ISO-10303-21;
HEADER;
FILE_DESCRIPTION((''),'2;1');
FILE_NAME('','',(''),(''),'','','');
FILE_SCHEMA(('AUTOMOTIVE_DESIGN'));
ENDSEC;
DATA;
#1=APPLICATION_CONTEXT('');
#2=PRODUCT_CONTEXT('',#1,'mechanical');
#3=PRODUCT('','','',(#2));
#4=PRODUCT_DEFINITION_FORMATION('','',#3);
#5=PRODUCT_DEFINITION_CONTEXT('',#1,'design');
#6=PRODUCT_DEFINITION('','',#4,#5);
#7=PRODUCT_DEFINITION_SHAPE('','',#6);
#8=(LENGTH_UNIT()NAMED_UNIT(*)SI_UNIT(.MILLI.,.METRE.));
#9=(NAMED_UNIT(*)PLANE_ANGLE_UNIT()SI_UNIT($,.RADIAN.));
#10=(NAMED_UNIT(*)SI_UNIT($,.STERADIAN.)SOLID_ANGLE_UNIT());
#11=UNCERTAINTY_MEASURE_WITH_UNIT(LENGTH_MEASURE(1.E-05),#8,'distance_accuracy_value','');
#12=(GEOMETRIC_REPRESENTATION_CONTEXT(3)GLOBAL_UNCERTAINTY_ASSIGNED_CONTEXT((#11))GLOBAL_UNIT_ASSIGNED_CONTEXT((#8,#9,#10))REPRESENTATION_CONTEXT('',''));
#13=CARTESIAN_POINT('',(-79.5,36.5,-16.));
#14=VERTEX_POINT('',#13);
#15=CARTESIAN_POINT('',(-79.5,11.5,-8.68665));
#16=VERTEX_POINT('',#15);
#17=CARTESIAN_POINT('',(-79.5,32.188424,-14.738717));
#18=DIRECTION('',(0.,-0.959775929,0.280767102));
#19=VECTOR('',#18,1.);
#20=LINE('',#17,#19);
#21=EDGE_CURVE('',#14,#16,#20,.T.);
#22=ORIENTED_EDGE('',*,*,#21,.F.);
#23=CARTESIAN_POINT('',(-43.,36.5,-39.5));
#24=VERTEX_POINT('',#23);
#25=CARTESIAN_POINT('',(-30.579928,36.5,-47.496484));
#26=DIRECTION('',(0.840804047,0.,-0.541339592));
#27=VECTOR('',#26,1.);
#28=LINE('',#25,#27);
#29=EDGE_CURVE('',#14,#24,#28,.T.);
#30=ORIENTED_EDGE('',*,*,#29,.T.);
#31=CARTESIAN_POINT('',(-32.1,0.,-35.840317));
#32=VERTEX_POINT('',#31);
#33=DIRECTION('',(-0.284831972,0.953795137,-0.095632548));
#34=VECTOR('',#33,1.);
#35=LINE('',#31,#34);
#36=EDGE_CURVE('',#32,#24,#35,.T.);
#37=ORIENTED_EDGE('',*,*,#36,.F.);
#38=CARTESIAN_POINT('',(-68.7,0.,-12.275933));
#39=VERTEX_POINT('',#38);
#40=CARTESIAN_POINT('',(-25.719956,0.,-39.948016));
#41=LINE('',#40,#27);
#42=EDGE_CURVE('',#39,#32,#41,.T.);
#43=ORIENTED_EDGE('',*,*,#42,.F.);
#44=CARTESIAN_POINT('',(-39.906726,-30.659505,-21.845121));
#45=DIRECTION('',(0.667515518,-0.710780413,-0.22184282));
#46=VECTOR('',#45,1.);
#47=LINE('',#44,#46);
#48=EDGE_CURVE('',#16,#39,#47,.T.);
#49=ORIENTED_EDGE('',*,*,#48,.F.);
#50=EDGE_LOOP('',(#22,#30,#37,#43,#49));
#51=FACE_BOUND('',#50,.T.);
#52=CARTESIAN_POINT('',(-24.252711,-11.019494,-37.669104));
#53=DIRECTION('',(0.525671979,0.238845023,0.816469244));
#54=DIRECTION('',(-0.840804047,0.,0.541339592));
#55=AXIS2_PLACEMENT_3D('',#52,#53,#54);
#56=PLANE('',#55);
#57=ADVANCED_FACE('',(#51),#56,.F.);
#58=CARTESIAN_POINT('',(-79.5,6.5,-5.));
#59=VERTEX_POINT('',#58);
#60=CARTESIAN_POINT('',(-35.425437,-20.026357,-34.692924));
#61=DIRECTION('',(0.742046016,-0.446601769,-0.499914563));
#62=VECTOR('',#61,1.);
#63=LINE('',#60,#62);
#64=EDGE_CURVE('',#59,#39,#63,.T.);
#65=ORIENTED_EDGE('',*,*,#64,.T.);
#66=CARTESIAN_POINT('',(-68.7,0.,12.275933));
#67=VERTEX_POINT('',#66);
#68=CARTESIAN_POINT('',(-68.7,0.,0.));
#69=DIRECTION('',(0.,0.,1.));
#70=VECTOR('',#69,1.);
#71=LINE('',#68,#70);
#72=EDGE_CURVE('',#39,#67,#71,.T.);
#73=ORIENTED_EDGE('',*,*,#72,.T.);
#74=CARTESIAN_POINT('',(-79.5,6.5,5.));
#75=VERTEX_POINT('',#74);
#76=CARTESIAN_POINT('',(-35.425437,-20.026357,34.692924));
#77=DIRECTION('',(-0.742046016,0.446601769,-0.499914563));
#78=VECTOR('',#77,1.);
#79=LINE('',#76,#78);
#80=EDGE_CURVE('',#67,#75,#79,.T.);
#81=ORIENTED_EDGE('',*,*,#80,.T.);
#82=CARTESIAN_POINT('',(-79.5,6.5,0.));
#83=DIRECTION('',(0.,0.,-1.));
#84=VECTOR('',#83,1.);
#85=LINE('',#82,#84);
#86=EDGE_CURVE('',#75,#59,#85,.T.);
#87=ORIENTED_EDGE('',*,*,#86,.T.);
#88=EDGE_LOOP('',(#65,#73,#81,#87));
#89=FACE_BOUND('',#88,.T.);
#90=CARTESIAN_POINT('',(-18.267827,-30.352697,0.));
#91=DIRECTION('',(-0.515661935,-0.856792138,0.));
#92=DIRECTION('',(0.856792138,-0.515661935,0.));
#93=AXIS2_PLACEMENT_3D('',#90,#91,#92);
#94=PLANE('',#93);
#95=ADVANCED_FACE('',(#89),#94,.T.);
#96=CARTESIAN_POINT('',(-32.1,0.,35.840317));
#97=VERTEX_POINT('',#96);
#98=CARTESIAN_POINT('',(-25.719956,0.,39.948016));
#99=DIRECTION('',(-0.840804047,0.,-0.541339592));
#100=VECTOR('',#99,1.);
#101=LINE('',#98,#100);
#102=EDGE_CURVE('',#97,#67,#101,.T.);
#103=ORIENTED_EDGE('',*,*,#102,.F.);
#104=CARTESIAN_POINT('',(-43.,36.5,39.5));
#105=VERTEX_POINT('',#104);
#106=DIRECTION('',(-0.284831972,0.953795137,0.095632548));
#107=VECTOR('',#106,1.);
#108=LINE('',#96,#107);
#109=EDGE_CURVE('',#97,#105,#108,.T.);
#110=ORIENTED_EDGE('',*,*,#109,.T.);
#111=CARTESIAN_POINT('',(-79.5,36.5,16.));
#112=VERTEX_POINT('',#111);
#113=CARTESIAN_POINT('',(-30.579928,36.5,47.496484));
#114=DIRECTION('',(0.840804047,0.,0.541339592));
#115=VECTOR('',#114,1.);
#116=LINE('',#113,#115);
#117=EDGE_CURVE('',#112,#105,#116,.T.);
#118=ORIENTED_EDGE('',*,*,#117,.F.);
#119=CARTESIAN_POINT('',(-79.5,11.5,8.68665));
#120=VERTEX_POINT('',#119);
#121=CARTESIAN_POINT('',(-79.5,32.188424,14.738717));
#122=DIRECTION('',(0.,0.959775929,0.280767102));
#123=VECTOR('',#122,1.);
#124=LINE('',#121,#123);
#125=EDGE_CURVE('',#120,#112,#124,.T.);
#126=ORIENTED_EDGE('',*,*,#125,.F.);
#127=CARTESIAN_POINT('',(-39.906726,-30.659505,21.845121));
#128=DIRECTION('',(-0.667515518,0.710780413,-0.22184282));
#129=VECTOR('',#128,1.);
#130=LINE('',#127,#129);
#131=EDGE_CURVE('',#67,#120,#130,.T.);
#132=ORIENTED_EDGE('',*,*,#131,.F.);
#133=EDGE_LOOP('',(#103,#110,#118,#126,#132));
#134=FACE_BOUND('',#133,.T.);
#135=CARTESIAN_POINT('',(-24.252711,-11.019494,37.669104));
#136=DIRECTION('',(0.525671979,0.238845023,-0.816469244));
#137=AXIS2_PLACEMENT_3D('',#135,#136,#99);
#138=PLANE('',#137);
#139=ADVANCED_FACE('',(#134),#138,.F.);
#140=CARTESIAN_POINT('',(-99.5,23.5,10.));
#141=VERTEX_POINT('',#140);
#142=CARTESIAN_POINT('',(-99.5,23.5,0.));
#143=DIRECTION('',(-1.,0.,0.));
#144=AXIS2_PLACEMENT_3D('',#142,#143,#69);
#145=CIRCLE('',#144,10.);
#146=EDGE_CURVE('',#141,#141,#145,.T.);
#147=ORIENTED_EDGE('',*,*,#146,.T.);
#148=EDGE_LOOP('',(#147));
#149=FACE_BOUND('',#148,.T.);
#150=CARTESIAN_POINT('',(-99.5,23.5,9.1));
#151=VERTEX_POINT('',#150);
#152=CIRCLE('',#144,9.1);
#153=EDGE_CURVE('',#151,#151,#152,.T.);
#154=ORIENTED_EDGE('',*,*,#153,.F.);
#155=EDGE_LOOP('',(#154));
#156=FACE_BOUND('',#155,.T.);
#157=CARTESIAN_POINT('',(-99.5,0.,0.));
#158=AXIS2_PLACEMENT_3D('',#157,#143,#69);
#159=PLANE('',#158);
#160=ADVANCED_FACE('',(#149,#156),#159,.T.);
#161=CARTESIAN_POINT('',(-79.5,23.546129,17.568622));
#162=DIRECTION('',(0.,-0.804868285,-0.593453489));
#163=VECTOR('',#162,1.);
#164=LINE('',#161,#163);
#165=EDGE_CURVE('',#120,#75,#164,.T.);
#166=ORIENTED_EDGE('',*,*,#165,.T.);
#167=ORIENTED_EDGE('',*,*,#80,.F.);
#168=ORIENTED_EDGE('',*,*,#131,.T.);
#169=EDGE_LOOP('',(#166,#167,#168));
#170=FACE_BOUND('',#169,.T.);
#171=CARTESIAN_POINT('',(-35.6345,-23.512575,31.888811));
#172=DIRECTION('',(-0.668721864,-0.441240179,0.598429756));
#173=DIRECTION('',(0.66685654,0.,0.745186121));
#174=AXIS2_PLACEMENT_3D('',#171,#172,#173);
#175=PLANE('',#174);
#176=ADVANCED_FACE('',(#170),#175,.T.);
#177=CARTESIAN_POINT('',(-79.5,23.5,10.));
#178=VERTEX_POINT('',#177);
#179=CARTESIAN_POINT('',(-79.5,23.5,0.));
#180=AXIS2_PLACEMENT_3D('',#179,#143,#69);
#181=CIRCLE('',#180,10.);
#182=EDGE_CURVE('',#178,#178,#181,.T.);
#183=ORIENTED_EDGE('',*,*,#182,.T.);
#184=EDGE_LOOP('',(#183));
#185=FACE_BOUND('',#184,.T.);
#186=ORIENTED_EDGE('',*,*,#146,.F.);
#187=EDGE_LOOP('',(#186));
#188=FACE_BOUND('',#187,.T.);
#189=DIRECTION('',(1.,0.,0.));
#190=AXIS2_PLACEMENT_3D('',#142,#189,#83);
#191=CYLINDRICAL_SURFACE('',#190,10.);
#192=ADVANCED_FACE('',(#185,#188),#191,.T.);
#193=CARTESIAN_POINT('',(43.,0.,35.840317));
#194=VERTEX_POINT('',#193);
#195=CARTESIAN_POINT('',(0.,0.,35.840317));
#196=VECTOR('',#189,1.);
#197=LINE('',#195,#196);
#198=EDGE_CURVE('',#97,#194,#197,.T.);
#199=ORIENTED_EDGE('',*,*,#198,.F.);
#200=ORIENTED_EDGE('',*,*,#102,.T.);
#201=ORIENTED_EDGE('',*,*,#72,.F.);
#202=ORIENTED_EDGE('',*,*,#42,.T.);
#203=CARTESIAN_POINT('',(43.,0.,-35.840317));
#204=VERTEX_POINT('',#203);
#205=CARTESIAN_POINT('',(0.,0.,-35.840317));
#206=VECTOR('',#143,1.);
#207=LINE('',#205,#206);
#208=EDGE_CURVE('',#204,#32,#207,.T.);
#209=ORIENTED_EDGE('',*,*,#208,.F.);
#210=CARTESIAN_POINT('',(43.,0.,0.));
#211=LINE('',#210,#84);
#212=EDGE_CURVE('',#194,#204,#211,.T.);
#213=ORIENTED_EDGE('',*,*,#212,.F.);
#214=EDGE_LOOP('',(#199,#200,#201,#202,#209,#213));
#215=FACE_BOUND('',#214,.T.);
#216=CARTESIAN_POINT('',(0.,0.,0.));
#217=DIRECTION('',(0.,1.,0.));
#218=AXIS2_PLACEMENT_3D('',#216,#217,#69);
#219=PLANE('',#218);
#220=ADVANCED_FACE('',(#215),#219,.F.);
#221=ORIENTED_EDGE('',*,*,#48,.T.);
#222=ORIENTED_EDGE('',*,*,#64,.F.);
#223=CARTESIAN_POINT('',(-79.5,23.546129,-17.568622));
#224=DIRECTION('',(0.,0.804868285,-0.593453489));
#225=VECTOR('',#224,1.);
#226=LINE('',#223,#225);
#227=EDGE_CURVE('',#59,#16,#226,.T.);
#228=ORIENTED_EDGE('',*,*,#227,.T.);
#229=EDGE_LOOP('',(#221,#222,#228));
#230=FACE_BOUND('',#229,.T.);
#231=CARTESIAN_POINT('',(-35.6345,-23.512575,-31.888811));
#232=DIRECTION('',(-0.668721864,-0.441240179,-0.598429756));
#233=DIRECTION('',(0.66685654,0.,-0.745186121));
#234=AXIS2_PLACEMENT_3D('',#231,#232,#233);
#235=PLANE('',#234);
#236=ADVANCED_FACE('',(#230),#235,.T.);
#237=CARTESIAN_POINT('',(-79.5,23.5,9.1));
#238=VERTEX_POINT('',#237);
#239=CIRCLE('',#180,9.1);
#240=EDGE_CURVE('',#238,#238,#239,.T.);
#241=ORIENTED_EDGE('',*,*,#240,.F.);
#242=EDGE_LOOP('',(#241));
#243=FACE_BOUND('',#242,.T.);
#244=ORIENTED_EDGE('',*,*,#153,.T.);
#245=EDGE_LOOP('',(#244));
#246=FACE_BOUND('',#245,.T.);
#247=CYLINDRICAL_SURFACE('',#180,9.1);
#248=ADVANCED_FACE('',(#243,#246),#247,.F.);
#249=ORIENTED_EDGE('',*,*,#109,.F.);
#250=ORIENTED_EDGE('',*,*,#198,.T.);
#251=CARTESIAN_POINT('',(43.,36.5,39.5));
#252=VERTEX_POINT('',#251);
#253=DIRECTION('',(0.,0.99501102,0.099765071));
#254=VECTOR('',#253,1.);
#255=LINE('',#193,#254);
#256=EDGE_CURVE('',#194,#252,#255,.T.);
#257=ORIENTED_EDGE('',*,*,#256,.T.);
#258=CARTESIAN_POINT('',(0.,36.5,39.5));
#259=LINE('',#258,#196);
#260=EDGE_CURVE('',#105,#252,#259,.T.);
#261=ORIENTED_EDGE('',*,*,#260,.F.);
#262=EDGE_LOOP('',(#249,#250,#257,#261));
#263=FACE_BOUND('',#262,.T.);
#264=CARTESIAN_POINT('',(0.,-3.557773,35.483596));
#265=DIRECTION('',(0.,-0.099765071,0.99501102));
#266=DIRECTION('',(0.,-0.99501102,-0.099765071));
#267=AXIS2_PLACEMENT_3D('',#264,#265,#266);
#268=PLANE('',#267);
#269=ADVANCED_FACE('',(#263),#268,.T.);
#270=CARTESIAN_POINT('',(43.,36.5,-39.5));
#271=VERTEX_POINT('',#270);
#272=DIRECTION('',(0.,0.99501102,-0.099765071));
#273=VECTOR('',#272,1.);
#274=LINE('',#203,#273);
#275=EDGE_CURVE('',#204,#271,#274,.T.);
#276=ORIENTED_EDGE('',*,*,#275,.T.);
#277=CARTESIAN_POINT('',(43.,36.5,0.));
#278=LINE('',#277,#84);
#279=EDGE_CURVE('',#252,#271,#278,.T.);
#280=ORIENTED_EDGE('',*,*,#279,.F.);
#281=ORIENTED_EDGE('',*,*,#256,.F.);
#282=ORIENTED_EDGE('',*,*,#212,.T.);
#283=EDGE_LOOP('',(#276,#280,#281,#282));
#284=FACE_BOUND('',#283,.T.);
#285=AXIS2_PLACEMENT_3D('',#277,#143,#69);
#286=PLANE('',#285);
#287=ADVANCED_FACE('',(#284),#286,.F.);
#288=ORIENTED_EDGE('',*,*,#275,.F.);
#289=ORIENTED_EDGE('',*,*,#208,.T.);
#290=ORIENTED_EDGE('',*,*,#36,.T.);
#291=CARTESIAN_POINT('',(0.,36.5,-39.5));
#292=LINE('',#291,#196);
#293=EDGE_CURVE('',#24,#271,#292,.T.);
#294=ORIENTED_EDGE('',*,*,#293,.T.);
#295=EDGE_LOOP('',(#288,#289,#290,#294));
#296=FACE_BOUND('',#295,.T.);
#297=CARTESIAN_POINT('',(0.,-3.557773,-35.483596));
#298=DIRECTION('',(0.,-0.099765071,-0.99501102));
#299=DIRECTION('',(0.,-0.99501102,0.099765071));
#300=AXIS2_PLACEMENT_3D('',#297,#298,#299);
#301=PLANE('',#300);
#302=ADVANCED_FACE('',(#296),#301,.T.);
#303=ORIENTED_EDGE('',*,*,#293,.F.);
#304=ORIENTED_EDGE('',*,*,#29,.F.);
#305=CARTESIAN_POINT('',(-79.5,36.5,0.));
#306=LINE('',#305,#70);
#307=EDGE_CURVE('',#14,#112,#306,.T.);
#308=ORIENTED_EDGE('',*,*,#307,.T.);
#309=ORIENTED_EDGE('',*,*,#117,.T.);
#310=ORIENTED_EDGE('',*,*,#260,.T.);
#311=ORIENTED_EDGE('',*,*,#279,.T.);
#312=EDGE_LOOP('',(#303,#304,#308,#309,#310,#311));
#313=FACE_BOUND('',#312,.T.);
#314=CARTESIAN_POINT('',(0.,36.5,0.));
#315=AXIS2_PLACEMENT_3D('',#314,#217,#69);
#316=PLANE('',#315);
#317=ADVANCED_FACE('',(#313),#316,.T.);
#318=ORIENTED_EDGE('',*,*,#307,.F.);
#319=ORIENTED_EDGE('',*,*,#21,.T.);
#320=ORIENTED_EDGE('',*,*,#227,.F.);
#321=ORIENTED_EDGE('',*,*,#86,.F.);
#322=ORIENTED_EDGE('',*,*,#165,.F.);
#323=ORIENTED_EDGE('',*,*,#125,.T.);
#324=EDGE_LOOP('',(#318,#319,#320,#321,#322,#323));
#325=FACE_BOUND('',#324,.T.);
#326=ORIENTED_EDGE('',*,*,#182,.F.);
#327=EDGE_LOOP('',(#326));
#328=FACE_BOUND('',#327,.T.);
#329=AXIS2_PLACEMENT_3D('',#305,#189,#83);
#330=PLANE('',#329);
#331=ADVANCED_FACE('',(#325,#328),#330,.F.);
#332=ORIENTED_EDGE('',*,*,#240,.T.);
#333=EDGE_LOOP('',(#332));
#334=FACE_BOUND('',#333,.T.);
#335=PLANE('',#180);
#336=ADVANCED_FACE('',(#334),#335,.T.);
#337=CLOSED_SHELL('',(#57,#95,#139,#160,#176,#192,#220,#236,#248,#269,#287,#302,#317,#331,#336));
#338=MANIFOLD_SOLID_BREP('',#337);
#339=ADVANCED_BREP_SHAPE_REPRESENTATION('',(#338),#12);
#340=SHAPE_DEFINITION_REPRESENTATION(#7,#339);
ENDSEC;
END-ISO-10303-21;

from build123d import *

# Parameters (mm, degrees)
SKETCH1_W           = 86
SKETCH1_H           = 79
BOSS_EXTRUDE1_DEPTH = 36.5
CUT_EXTRUDE4_DEPTH  = 113.8543313
CUT_EXTRUDE6_DEPTH  = 117.39336237
SKETCH23_W          = 52.496433732
SKETCH23_H          = 95.180046085
CUT_EXTRUDE9_DEPTH  = 99.910462918
SKETCH26_W          = 80.038892534
SKETCH26_H          = 43.235962509
CUT_EXTRUDE10_DEPTH = 122.988754281
SKETCH27_R          = 10
BOSS_EXTRUDE2_DEPTH = 20
SKETCH28_R          = 9.1
CUT_EXTRUDE11_DEPTH = 20


with BuildPart() as part:
    # Sketch1 → Boss-Extrude1 (new body)
    with BuildSketch(Plane(origin=(0, 0, 0), x_dir=(1, 0, 0), z_dir=(0, 1, 0))):
        Polygon((-79.5, 16), (-79.5, -16), (-43, -39.5), (-43, 39.5), align=None)
        Rectangle(SKETCH1_W, SKETCH1_H)
    extrude(amount=BOSS_EXTRUDE1_DEPTH)

    # Sketch14 → Cut-Extrude4 (cut, through all)
    with BuildSketch(Plane(origin=(-24.252710924, -11.01949414, 37.669104201), x_dir=(0.8506873519118823, -0.14759139817848807, 0.5045273119275789), z_dir=(-0.5256719788015616, -0.23884502264638724, 0.8164692436705117))):
        Polygon((-9.224645292, 10.062781894), (-22.037813345, 46.122121953), (-64.94429352, 39.524095052), (-109.490464552, 32.673921521), (-56.610292459, -14.345266084), align=None)
    cut_extrude4 = extrude(amount=CUT_EXTRUDE4_DEPTH, mode=Mode.SUBTRACT)

    # Sketch15 → Cut-Extrude6 (cut, through all)
    with BuildSketch(Plane(origin=(0, -3.557773101, 35.48359566), x_dir=(1, 0, 0), z_dir=(0, -0.0997650710839227, 0.9950110203367698))):
        Polygon((43, 3.575611755), (43, 40.25862255), (-43, 40.25862255), (-38.621652742, -4.136841908), align=None)
    cut_extrude6 = extrude(amount=CUT_EXTRUDE6_DEPTH, mode=Mode.SUBTRACT)

    # Mirror7: Cut-Extrude4, Cut-Extrude6 across plane
    add(cut_extrude4.mirror(Plane.XY), mode=Mode.SUBTRACT)
    add(cut_extrude6.mirror(Plane.XY), mode=Mode.SUBTRACT)

    # Sketch23 → Cut-Extrude9 (cut, through all)
    with BuildSketch(Plane(origin=(-18.267826798, -30.352696834, 0), x_dir=(-0.8567921384922006, 0.515661935203639, 0), z_dir=(-0.515661935203639, -0.8567921384922006, 0))):
        with Locations((54.636530777, 2.381508201)):
            Rectangle(SKETCH23_W, SKETCH23_H)
    extrude(amount=CUT_EXTRUDE9_DEPTH, mode=Mode.SUBTRACT)

    # Sketch26 → Cut-Extrude10 (cut, through all)
    with BuildSketch(Plane(origin=(-35.634500138, -23.512575375, 31.888811139), x_dir=(0.4994950200350479, 0.3295798808101732, 0.8011752786533913), z_dir=(-0.6687218639205573, -0.4412401793127581, 0.598429756007053))):
        with Locations((-7.20146585, 56.642835767)):
            Rectangle(SKETCH26_W, SKETCH26_H)
    cut_extrude10 = extrude(amount=CUT_EXTRUDE10_DEPTH, mode=Mode.SUBTRACT)

    # Mirror9: Cut-Extrude10 across plane
    add(cut_extrude10.mirror(Plane.XY), mode=Mode.SUBTRACT)

    # Sketch27 → Boss-Extrude2 (add)
    with BuildSketch(Plane.ZY.offset(79.5)):
        with Locations((0, 23.5)):
            Circle(SKETCH27_R)
    extrude(amount=BOSS_EXTRUDE2_DEPTH)

    # Sketch28 → Cut-Extrude11 (cut)
    with BuildSketch(Plane.ZY.offset(99.5)):
        with Locations((0, 23.5)):
            Circle(SKETCH28_R)
    extrude(amount=-CUT_EXTRUDE11_DEPTH, mode=Mode.SUBTRACT)


solid = part.part
